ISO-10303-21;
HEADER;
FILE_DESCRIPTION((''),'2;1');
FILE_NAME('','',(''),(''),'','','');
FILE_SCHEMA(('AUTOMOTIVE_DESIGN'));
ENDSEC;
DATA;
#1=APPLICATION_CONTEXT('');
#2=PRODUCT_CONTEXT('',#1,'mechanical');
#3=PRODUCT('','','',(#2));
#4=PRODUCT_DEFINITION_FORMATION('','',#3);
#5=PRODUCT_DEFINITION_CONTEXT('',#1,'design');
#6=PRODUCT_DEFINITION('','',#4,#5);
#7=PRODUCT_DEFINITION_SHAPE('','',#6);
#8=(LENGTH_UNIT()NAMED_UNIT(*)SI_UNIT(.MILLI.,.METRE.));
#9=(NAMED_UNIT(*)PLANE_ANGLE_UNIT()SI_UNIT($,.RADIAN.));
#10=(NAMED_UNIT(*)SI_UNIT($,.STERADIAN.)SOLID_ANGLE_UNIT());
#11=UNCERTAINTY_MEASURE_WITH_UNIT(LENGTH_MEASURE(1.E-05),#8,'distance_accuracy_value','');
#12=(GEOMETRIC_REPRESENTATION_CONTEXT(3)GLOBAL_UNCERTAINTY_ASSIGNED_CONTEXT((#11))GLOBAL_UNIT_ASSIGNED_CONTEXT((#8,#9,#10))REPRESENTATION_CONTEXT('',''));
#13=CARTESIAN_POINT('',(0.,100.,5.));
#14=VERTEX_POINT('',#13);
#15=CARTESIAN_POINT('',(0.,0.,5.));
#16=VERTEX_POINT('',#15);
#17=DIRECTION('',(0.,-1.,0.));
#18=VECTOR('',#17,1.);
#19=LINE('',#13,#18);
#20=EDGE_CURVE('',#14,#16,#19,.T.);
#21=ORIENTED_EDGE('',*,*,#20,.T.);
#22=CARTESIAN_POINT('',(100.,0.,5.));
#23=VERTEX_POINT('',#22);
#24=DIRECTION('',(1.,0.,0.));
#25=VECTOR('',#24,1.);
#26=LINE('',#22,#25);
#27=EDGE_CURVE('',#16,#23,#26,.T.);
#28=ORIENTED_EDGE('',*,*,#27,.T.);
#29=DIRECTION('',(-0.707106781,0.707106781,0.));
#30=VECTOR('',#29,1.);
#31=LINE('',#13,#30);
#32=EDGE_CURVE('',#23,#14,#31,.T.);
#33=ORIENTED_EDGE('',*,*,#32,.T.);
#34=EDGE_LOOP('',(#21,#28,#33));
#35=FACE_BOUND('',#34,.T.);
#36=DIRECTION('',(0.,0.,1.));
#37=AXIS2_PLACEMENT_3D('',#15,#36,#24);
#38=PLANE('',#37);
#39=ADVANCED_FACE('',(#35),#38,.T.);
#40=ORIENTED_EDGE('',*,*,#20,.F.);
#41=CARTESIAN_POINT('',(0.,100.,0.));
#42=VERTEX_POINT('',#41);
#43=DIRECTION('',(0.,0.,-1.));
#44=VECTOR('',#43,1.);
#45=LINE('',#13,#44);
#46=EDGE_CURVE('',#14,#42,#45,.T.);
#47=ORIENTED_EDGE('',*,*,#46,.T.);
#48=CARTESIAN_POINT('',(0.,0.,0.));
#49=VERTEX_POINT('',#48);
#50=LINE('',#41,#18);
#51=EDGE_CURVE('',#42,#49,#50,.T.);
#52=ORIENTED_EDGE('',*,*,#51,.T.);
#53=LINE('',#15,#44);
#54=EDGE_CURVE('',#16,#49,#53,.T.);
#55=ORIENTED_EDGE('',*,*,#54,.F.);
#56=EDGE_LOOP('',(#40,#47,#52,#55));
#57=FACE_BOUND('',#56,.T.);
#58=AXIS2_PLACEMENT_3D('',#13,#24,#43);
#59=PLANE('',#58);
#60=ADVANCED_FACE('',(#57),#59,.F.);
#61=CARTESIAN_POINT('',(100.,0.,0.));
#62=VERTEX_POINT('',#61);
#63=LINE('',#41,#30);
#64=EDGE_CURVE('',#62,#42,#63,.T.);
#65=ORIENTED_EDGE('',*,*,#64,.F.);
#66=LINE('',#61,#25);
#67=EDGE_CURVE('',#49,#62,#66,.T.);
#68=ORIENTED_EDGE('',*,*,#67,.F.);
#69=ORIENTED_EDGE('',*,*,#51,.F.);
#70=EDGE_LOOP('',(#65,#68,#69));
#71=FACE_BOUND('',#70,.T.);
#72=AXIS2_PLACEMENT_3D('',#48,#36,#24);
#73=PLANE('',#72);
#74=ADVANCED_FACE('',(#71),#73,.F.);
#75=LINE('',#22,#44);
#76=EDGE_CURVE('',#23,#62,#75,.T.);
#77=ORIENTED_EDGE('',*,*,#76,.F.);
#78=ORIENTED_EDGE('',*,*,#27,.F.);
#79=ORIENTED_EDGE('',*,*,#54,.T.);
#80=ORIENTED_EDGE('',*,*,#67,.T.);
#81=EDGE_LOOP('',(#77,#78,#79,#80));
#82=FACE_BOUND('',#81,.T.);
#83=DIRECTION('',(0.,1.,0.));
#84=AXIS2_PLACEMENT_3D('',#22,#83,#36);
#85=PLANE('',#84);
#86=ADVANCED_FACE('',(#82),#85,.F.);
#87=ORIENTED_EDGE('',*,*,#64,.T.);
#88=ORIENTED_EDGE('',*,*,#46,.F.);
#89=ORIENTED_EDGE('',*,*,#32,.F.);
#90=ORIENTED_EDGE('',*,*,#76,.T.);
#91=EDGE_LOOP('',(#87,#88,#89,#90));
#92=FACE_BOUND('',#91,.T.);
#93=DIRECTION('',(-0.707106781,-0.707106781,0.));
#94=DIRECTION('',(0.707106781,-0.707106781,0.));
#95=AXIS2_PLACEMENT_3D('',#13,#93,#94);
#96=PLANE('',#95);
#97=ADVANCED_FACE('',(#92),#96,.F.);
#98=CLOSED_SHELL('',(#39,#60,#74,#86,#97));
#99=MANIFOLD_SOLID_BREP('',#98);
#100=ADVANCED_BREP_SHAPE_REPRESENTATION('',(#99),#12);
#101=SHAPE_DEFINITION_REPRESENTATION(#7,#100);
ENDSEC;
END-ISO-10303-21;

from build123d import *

# Parameters (mm, degrees)
BOSS_EXTRUDE1_DEPTH = 5


with BuildPart() as part:
    # Sketch1 → Boss-Extrude1 (new body)
    with BuildSketch(Plane.XY):
        Polygon((0, 100), (100, 0), (0, 0), align=None)
    extrude(amount=BOSS_EXTRUDE1_DEPTH)


solid = part.part
